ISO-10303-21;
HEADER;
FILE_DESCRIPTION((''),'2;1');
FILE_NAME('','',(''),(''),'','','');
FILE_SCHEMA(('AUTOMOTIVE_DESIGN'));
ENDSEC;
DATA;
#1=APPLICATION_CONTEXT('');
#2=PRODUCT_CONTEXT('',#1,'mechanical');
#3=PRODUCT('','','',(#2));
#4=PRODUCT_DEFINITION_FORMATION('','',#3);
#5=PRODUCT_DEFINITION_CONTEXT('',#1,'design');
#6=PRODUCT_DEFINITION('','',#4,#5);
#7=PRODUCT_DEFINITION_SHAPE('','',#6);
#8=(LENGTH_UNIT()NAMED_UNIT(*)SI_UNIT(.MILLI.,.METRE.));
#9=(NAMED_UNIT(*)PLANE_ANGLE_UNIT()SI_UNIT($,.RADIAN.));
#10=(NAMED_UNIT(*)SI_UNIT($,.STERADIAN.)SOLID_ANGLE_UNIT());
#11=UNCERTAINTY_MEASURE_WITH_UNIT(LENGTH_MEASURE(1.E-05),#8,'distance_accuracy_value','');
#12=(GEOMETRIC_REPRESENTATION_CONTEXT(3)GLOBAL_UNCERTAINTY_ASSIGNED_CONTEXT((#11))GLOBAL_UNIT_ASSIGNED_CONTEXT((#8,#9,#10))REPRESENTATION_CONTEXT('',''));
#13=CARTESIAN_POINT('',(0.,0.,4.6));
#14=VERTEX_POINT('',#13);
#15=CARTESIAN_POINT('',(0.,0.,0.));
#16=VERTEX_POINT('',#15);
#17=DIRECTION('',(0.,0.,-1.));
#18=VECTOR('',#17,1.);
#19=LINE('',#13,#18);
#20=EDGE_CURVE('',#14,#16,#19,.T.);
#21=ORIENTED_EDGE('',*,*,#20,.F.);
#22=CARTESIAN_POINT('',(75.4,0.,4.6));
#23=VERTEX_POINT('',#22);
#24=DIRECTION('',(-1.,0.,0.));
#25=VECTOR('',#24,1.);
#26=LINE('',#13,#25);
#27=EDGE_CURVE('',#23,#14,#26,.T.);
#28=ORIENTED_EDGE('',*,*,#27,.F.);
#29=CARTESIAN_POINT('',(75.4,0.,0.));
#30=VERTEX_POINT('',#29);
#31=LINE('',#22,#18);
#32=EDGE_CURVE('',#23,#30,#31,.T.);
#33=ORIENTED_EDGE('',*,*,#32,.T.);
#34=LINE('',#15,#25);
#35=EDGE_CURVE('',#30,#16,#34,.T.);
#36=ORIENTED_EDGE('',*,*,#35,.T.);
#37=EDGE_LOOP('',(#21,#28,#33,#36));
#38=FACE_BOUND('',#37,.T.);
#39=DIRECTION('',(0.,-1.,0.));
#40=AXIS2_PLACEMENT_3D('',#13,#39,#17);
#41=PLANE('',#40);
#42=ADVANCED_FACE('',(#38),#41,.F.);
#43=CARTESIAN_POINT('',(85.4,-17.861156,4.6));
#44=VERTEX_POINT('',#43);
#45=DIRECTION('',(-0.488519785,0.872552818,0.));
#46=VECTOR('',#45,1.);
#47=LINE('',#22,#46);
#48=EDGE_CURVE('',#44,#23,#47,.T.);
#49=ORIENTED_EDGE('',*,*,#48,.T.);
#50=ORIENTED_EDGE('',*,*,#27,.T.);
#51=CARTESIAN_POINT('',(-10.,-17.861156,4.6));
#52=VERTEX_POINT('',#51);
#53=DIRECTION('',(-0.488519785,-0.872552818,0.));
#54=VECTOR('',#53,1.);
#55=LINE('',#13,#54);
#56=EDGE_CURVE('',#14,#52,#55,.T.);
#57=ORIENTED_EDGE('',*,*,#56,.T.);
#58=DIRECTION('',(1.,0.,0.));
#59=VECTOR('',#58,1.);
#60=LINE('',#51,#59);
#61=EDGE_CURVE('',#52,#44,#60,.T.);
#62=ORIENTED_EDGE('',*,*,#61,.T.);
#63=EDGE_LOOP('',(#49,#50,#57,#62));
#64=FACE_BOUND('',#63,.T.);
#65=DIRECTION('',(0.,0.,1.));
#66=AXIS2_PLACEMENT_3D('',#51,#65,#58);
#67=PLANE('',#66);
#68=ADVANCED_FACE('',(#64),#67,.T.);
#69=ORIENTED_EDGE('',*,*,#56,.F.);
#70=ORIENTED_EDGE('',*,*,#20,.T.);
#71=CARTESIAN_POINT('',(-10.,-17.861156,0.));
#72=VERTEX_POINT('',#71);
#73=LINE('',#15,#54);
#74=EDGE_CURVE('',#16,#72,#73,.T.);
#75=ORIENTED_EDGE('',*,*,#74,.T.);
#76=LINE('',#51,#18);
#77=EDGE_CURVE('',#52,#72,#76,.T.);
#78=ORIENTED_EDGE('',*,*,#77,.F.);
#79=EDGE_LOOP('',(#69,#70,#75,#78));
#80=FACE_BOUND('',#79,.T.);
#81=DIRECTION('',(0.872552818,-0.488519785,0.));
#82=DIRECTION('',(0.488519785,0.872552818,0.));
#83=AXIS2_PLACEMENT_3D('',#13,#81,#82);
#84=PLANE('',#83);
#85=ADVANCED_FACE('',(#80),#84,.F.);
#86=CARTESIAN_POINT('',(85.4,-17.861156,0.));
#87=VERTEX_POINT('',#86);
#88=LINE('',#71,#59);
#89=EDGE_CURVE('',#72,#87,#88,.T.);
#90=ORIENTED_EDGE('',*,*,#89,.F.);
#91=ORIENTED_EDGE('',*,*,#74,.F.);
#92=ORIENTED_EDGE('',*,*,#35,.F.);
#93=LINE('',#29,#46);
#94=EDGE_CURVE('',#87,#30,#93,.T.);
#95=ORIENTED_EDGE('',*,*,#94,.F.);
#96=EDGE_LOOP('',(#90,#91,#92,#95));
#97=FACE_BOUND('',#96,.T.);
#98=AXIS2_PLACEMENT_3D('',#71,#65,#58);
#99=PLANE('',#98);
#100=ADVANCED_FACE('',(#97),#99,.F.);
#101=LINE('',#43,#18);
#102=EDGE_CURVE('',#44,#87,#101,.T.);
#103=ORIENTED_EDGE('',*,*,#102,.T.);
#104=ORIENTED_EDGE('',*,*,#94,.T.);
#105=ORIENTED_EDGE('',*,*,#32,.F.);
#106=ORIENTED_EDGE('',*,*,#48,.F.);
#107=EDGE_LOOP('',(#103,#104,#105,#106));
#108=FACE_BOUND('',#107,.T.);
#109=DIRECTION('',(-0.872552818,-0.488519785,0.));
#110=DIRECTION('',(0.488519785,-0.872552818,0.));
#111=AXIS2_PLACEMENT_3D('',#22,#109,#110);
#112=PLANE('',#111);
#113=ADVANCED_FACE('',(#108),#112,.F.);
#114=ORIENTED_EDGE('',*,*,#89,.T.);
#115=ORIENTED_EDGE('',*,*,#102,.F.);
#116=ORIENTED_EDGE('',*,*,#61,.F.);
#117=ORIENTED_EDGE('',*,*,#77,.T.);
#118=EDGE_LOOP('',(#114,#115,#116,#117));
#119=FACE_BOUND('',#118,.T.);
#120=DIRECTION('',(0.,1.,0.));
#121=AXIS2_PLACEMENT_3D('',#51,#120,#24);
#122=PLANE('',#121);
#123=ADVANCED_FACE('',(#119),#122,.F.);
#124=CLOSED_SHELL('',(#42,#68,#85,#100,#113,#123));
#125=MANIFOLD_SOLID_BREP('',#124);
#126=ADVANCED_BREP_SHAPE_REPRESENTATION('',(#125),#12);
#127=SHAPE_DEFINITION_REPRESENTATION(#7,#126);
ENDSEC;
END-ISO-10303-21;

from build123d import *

# Parameters (mm, degrees)
BOSS_EXTRUDE1_DEPTH = 4.6


with BuildPart() as part:
    # Sketch1 → Boss-Extrude1 (new body)
    with BuildSketch(Plane.XY):
        Polygon((0, 0), (75.4, 0), (85.4, -17.861156178), (-10, -17.861156178), align=None)
    extrude(amount=BOSS_EXTRUDE1_DEPTH)


solid = part.part
